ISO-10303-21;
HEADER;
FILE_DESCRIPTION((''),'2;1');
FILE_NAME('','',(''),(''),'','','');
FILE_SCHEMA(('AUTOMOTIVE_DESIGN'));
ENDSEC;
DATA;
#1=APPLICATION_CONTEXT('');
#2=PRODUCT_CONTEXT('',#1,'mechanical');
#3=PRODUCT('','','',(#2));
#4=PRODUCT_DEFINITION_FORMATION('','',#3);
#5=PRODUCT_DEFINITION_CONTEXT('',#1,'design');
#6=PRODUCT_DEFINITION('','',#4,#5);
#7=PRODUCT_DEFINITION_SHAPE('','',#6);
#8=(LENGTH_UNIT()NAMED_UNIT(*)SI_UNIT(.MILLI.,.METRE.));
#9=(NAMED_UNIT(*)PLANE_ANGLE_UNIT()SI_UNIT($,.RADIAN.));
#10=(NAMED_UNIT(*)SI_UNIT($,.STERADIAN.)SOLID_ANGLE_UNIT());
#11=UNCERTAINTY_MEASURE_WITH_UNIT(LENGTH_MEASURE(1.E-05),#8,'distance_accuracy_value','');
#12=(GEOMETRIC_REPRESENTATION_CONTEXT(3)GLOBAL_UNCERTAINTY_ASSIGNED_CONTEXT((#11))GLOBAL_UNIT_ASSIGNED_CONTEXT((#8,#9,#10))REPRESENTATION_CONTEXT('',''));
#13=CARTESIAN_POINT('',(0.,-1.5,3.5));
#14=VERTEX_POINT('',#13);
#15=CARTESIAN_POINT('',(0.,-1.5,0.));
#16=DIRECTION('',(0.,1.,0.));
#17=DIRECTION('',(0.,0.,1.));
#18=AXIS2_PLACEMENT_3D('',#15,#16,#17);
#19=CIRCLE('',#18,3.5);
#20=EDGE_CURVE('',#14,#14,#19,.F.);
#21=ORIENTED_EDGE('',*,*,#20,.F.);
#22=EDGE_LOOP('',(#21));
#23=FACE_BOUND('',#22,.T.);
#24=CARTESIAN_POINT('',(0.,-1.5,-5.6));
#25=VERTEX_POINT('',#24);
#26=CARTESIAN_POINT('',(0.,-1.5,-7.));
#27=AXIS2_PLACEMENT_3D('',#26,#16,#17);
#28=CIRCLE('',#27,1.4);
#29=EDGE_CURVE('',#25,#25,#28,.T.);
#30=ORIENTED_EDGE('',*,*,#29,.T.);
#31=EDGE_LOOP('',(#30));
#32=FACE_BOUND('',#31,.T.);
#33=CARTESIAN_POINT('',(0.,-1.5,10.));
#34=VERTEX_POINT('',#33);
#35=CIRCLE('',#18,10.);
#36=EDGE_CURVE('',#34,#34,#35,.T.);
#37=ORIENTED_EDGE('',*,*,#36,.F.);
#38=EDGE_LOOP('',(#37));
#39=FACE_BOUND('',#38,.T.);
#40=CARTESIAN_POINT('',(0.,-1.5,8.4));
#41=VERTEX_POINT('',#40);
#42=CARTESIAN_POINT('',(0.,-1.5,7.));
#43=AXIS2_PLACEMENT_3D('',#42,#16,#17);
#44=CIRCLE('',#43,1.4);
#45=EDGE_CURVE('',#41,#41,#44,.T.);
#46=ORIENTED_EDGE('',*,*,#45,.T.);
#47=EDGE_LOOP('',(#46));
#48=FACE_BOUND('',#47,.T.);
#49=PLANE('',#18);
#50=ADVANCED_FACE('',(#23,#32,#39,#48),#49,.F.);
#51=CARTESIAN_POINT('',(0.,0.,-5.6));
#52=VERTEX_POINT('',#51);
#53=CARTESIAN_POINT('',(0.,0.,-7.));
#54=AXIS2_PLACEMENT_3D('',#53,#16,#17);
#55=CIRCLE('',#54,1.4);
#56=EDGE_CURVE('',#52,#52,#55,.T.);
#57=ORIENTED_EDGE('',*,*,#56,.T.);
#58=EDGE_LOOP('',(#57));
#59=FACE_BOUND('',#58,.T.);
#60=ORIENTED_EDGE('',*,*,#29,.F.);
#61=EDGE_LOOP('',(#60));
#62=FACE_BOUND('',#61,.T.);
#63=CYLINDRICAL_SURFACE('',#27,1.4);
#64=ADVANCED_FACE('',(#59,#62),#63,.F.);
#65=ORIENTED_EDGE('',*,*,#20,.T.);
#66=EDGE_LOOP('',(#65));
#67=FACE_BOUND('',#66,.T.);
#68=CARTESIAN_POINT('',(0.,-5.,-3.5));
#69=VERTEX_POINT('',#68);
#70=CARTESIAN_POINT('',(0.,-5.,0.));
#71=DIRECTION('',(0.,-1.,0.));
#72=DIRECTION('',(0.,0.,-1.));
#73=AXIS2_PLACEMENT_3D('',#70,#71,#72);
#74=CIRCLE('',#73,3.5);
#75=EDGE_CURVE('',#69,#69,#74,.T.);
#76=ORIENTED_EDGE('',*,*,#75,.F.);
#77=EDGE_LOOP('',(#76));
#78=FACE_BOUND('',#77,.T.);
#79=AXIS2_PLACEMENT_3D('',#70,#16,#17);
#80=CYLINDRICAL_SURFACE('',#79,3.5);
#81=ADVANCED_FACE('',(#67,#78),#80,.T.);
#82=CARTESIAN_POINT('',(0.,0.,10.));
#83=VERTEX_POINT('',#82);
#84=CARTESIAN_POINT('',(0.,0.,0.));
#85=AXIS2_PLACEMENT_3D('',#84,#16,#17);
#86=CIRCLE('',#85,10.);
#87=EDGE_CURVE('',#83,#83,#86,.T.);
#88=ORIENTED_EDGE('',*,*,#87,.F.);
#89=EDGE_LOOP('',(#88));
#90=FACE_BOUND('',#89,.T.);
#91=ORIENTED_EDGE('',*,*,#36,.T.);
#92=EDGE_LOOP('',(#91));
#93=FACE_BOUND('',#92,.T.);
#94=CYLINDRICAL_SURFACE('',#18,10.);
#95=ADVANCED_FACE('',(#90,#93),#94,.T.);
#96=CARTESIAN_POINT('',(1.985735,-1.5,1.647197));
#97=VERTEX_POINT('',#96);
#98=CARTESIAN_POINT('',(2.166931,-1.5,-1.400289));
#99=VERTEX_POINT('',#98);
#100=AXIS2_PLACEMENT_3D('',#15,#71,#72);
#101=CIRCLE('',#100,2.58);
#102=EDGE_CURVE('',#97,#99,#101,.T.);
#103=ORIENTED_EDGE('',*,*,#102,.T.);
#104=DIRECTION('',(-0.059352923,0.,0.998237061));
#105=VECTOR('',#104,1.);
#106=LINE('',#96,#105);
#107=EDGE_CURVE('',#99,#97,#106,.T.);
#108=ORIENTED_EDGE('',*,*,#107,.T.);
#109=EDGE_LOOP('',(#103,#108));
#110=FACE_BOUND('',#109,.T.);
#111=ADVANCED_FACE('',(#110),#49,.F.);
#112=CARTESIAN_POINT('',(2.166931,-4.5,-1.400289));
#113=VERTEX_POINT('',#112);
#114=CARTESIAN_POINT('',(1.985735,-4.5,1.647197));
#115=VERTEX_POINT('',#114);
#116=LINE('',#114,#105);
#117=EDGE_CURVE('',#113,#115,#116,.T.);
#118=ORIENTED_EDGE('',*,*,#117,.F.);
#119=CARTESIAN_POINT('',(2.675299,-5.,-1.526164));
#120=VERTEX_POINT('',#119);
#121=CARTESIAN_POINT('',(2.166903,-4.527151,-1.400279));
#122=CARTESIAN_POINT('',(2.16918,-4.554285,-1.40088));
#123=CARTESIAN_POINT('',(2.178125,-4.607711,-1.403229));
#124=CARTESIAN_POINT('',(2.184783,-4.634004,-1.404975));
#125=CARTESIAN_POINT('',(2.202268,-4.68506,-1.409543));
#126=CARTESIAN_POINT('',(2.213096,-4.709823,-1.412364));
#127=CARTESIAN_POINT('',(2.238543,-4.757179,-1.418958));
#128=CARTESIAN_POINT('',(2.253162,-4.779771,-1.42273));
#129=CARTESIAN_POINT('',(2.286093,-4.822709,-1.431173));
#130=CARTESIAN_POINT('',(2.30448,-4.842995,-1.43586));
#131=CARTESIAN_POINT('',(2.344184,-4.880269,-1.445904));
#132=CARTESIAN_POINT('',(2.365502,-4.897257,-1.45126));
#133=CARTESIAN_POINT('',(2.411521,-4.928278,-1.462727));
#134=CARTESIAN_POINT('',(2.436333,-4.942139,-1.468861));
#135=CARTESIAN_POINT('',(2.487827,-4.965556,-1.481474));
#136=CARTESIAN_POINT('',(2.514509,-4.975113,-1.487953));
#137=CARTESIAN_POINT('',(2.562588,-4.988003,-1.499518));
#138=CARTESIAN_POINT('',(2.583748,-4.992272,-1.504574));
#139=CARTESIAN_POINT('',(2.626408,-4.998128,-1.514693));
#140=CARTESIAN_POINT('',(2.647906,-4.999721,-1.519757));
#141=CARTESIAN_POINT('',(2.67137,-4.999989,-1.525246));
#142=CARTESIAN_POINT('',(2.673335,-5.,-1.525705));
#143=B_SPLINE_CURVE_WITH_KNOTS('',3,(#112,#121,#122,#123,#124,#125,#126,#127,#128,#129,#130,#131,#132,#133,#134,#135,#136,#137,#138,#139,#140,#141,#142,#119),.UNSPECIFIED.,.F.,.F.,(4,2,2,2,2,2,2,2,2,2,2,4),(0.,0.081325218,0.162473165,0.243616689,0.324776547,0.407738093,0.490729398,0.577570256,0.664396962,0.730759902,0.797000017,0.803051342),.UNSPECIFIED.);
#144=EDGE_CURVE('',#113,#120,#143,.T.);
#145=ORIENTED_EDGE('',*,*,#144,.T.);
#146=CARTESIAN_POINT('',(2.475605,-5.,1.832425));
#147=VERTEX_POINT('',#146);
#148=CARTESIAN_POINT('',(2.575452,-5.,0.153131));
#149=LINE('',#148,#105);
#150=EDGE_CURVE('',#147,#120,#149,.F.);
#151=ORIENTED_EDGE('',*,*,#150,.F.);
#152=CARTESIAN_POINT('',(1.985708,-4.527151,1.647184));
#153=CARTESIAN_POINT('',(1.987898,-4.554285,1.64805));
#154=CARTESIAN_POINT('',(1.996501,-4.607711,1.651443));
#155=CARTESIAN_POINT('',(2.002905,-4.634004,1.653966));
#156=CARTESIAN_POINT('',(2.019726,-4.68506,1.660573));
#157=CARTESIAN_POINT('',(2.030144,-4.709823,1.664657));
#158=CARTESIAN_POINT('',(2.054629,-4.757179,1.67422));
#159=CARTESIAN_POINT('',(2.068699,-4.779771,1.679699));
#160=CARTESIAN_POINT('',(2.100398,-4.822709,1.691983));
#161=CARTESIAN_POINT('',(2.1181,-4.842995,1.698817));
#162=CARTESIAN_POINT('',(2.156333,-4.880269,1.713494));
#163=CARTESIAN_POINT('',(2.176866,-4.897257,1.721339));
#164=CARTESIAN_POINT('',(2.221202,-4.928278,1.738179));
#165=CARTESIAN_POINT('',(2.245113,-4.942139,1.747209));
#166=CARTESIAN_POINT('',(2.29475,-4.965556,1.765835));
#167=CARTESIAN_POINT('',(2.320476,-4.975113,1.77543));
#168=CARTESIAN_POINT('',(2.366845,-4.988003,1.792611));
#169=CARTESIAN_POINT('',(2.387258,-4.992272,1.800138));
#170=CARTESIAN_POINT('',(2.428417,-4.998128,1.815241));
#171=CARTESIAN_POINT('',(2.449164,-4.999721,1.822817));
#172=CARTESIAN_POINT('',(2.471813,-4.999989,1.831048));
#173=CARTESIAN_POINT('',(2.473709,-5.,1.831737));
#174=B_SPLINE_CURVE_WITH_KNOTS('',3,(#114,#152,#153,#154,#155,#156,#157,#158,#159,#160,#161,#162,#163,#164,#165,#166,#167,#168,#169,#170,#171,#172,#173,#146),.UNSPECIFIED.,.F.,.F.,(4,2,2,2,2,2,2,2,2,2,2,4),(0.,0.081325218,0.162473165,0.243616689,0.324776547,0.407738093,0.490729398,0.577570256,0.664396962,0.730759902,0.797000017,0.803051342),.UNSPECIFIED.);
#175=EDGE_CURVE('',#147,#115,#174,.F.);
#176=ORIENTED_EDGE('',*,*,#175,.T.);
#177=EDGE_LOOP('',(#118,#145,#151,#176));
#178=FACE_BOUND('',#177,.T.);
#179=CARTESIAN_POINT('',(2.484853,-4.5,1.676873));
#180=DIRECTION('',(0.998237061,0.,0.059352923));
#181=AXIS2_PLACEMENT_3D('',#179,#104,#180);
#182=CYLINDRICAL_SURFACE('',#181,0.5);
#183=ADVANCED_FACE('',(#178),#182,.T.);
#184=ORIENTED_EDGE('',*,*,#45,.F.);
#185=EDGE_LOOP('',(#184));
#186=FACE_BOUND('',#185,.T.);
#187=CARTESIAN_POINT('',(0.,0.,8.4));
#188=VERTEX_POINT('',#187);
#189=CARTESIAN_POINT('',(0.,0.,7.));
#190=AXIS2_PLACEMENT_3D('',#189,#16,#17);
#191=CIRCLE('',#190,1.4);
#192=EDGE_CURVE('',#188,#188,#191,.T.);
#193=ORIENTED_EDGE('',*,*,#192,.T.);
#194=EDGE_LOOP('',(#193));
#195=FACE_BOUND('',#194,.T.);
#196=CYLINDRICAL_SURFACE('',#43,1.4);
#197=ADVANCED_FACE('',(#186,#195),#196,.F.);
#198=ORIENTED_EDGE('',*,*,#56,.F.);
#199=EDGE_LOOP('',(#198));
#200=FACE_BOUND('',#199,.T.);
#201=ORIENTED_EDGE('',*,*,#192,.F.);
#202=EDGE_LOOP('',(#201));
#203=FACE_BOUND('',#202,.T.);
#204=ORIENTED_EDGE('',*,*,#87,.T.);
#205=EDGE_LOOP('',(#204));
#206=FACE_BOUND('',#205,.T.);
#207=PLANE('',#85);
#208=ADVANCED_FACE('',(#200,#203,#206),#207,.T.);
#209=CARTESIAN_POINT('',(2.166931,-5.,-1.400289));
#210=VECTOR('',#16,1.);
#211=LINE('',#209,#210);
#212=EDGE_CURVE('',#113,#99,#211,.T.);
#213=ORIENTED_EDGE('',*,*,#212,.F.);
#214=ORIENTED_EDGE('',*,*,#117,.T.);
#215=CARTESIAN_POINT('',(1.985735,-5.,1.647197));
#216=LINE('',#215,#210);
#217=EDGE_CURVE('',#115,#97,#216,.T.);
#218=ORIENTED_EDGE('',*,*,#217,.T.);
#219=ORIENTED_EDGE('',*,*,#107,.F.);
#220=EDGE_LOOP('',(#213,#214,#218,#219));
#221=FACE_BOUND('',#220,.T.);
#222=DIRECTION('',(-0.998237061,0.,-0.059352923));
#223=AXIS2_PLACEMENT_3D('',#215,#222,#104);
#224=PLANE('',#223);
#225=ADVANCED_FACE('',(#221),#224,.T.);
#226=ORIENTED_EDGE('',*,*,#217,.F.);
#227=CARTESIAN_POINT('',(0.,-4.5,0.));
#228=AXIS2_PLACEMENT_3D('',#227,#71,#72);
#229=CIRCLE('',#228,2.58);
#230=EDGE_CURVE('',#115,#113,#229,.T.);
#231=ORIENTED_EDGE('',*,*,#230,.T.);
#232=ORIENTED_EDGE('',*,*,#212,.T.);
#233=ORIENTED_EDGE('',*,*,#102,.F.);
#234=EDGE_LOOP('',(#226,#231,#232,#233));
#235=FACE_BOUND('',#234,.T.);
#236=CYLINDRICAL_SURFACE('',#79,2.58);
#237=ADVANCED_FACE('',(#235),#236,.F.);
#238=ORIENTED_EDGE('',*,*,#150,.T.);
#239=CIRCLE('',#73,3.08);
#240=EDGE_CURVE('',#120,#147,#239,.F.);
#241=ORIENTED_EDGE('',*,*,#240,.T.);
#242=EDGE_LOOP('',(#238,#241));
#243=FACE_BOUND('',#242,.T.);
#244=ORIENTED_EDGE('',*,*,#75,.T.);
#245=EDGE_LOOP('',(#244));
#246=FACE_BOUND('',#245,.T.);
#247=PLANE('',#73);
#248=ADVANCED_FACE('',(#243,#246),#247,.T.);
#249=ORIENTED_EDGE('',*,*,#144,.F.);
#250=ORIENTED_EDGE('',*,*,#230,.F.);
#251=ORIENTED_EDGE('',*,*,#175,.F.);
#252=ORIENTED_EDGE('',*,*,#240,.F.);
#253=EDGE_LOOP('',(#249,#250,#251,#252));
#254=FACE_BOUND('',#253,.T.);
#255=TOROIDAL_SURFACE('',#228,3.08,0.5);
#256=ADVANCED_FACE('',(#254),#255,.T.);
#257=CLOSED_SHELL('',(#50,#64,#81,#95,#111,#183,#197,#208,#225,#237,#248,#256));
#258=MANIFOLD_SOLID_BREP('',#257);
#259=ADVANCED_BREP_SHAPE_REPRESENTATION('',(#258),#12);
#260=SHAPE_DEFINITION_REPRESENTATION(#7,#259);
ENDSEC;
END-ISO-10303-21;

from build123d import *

# Parameters (mm, degrees)
SKETCH1_R           = 10
BOSS_EXTRUDE1_DEPTH = 1.5
SKETCH2_R           = 1.4
CUT_EXTRUDE1_DEPTH  = 2.5
SKETCH3_R           = 3.5
BOSS_EXTRUDE2_DEPTH = 3.5
FILLET1_R           = 0.5


with BuildPart() as part:
    # Sketch1 → Boss-Extrude1 (new body)
    with BuildSketch(Plane(origin=(0, 0, 0), x_dir=(1, 0, 0), z_dir=(0, 1, 0))):
        Circle(SKETCH1_R)
    extrude(amount=-BOSS_EXTRUDE1_DEPTH)

    # Sketch2 → Cut-Extrude1 (cut, through all)
    with BuildSketch(Plane(origin=(0, 0, 0), x_dir=(1, 0, 0), z_dir=(0, 1, 0))):
        with Locations((0, 7)):
            Circle(SKETCH2_R)
        with Locations((0, -7)):
            Circle(SKETCH2_R)
    extrude(amount=-CUT_EXTRUDE1_DEPTH, mode=Mode.SUBTRACT)

    # Sketch3 → Boss-Extrude2 (add)
    with BuildSketch(Plane.XZ.offset(1.5)):
        Circle(SKETCH3_R)
        with BuildLine():
            Line((1.985734783, 1.647196822), (2.166931392, -1.400288664))
            ThreePointArc((2.166931392, -1.400288664), (-2.575451618, -0.15313054), (1.985734783, 1.647196822))
        make_face(mode=Mode.SUBTRACT)
    extrude(amount=BOSS_EXTRUDE2_DEPTH)

    # Fillet1
    fillet1_edges = [part.edges().sort_by_distance(p)[0] for p in [
        (-2.575451618, -5, -0.15313054),
        (2.076333088, -5, 0.123454079),
    ]]
    fillet(fillet1_edges, radius=FILLET1_R)


solid = part.part
